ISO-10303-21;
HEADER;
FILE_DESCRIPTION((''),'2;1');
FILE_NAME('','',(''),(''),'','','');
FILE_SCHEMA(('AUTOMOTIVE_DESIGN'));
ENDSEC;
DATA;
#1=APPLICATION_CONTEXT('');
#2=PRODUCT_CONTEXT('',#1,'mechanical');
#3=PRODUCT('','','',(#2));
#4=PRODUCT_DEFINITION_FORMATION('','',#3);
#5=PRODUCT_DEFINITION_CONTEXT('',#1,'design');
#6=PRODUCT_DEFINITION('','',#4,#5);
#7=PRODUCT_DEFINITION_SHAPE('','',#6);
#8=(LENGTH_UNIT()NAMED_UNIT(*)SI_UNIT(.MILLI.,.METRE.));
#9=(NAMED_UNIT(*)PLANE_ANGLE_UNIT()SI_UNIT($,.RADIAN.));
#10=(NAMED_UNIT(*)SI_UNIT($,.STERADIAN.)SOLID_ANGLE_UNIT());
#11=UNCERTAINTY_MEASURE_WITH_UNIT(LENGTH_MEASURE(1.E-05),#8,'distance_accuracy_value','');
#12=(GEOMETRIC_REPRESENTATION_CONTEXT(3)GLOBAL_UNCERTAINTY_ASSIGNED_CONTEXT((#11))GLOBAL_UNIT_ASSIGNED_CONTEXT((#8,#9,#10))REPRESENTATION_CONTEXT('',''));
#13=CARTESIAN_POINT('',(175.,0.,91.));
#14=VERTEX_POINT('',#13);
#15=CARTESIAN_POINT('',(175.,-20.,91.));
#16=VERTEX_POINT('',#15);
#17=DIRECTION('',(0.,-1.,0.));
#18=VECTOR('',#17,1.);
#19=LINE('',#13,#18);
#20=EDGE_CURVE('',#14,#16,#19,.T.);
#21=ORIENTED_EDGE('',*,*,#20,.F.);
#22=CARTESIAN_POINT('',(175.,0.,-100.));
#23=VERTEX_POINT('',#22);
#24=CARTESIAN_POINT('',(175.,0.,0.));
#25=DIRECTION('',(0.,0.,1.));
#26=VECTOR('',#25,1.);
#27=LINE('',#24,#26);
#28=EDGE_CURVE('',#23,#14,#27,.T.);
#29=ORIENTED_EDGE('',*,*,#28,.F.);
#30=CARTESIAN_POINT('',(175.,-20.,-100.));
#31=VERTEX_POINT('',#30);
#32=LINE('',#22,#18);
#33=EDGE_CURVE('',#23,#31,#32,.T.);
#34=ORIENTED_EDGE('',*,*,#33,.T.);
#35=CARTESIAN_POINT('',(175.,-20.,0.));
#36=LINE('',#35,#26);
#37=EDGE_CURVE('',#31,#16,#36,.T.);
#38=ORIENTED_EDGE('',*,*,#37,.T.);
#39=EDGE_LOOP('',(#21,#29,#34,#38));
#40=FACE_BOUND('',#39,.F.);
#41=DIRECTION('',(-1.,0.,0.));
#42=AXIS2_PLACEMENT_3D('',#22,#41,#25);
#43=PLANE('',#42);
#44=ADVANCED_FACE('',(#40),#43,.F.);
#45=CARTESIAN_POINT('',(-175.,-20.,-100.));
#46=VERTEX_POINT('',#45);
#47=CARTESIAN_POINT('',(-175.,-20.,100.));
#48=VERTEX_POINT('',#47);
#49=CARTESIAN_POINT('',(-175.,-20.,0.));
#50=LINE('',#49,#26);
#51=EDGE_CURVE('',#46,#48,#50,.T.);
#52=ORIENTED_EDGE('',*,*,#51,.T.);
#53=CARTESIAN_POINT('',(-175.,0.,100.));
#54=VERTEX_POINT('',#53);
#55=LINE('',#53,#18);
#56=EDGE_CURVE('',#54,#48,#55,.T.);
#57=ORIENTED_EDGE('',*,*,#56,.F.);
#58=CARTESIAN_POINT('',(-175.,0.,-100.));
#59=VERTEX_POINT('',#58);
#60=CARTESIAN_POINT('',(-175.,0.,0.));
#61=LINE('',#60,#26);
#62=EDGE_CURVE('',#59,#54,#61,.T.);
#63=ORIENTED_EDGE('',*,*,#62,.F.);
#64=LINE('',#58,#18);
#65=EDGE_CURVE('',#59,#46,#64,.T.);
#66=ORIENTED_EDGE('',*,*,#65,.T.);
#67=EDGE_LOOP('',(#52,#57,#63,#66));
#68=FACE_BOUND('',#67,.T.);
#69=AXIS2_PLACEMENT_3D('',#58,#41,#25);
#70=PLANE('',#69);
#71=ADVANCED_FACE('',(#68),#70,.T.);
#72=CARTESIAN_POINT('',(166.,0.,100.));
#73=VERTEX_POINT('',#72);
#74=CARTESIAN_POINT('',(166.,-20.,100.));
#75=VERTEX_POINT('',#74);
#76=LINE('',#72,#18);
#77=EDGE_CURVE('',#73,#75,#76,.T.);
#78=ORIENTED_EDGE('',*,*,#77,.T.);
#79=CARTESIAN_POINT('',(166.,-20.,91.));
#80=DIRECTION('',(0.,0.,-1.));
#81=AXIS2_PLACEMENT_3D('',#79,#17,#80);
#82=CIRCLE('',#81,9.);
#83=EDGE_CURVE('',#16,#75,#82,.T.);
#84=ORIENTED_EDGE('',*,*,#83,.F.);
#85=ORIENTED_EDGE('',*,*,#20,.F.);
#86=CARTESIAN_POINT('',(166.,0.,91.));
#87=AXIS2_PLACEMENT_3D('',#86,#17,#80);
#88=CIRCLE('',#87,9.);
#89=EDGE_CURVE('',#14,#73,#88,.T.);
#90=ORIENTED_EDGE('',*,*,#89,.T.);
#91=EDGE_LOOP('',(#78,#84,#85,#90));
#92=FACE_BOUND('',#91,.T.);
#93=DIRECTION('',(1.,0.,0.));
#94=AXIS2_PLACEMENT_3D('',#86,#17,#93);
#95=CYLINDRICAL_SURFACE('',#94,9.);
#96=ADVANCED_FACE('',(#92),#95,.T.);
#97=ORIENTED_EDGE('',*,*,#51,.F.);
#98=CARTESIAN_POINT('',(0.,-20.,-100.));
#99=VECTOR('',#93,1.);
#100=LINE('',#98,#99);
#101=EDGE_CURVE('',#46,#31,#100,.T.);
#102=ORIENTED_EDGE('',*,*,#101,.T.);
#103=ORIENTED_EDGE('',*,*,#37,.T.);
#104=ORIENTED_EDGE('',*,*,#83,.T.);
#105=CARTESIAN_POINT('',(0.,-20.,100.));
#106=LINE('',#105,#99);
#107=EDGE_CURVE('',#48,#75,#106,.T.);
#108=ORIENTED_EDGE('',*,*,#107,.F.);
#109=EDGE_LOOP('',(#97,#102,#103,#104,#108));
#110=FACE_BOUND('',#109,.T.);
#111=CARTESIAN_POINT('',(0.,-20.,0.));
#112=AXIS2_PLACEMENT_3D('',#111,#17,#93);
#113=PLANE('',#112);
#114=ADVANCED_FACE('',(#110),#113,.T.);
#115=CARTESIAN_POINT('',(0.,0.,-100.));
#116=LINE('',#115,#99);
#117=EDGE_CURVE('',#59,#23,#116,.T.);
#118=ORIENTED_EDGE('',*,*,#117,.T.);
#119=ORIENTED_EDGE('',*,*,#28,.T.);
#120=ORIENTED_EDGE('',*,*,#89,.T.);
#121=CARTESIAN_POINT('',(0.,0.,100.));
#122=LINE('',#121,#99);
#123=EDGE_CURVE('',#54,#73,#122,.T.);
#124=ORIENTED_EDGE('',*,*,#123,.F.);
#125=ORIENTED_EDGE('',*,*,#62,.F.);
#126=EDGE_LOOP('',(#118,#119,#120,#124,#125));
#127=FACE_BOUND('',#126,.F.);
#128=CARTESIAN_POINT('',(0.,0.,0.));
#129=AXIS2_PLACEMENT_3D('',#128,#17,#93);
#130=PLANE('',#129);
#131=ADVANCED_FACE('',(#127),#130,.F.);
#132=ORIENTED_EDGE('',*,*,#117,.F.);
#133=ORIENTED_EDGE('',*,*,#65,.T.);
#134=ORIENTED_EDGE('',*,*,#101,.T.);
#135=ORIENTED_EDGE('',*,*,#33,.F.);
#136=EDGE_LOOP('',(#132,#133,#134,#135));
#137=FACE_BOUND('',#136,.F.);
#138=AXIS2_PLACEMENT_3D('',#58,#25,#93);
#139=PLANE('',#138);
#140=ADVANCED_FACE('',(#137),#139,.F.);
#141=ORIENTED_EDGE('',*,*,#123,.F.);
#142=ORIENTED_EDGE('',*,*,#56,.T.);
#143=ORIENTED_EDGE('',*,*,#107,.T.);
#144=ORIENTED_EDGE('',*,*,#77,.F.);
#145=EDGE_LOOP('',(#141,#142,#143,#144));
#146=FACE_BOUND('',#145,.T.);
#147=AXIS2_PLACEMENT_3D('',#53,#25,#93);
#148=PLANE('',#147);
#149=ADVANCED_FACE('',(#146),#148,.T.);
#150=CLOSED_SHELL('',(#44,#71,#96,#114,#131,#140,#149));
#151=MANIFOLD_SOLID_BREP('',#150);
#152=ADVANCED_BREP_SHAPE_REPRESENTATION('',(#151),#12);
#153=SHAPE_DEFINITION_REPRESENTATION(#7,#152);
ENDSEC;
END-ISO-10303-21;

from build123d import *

# Parameters (mm, degrees)
F0_W     = 350
F0_H     = 200
F1_DEPTH = 20
F2_R     = 9


with BuildPart() as f1:
    # F0 (on Front) → F1 (new body)
    with BuildSketch(Plane.XZ):
        Rectangle(F0_W, F0_H)
    extrude(amount=F1_DEPTH)

    # F2
    f2_edges = [f1.edges().sort_by_distance(p)[0] for p in [
        (175, -10, 100),
    ]]
    fillet(f2_edges, radius=F2_R)


solid = f1.part
